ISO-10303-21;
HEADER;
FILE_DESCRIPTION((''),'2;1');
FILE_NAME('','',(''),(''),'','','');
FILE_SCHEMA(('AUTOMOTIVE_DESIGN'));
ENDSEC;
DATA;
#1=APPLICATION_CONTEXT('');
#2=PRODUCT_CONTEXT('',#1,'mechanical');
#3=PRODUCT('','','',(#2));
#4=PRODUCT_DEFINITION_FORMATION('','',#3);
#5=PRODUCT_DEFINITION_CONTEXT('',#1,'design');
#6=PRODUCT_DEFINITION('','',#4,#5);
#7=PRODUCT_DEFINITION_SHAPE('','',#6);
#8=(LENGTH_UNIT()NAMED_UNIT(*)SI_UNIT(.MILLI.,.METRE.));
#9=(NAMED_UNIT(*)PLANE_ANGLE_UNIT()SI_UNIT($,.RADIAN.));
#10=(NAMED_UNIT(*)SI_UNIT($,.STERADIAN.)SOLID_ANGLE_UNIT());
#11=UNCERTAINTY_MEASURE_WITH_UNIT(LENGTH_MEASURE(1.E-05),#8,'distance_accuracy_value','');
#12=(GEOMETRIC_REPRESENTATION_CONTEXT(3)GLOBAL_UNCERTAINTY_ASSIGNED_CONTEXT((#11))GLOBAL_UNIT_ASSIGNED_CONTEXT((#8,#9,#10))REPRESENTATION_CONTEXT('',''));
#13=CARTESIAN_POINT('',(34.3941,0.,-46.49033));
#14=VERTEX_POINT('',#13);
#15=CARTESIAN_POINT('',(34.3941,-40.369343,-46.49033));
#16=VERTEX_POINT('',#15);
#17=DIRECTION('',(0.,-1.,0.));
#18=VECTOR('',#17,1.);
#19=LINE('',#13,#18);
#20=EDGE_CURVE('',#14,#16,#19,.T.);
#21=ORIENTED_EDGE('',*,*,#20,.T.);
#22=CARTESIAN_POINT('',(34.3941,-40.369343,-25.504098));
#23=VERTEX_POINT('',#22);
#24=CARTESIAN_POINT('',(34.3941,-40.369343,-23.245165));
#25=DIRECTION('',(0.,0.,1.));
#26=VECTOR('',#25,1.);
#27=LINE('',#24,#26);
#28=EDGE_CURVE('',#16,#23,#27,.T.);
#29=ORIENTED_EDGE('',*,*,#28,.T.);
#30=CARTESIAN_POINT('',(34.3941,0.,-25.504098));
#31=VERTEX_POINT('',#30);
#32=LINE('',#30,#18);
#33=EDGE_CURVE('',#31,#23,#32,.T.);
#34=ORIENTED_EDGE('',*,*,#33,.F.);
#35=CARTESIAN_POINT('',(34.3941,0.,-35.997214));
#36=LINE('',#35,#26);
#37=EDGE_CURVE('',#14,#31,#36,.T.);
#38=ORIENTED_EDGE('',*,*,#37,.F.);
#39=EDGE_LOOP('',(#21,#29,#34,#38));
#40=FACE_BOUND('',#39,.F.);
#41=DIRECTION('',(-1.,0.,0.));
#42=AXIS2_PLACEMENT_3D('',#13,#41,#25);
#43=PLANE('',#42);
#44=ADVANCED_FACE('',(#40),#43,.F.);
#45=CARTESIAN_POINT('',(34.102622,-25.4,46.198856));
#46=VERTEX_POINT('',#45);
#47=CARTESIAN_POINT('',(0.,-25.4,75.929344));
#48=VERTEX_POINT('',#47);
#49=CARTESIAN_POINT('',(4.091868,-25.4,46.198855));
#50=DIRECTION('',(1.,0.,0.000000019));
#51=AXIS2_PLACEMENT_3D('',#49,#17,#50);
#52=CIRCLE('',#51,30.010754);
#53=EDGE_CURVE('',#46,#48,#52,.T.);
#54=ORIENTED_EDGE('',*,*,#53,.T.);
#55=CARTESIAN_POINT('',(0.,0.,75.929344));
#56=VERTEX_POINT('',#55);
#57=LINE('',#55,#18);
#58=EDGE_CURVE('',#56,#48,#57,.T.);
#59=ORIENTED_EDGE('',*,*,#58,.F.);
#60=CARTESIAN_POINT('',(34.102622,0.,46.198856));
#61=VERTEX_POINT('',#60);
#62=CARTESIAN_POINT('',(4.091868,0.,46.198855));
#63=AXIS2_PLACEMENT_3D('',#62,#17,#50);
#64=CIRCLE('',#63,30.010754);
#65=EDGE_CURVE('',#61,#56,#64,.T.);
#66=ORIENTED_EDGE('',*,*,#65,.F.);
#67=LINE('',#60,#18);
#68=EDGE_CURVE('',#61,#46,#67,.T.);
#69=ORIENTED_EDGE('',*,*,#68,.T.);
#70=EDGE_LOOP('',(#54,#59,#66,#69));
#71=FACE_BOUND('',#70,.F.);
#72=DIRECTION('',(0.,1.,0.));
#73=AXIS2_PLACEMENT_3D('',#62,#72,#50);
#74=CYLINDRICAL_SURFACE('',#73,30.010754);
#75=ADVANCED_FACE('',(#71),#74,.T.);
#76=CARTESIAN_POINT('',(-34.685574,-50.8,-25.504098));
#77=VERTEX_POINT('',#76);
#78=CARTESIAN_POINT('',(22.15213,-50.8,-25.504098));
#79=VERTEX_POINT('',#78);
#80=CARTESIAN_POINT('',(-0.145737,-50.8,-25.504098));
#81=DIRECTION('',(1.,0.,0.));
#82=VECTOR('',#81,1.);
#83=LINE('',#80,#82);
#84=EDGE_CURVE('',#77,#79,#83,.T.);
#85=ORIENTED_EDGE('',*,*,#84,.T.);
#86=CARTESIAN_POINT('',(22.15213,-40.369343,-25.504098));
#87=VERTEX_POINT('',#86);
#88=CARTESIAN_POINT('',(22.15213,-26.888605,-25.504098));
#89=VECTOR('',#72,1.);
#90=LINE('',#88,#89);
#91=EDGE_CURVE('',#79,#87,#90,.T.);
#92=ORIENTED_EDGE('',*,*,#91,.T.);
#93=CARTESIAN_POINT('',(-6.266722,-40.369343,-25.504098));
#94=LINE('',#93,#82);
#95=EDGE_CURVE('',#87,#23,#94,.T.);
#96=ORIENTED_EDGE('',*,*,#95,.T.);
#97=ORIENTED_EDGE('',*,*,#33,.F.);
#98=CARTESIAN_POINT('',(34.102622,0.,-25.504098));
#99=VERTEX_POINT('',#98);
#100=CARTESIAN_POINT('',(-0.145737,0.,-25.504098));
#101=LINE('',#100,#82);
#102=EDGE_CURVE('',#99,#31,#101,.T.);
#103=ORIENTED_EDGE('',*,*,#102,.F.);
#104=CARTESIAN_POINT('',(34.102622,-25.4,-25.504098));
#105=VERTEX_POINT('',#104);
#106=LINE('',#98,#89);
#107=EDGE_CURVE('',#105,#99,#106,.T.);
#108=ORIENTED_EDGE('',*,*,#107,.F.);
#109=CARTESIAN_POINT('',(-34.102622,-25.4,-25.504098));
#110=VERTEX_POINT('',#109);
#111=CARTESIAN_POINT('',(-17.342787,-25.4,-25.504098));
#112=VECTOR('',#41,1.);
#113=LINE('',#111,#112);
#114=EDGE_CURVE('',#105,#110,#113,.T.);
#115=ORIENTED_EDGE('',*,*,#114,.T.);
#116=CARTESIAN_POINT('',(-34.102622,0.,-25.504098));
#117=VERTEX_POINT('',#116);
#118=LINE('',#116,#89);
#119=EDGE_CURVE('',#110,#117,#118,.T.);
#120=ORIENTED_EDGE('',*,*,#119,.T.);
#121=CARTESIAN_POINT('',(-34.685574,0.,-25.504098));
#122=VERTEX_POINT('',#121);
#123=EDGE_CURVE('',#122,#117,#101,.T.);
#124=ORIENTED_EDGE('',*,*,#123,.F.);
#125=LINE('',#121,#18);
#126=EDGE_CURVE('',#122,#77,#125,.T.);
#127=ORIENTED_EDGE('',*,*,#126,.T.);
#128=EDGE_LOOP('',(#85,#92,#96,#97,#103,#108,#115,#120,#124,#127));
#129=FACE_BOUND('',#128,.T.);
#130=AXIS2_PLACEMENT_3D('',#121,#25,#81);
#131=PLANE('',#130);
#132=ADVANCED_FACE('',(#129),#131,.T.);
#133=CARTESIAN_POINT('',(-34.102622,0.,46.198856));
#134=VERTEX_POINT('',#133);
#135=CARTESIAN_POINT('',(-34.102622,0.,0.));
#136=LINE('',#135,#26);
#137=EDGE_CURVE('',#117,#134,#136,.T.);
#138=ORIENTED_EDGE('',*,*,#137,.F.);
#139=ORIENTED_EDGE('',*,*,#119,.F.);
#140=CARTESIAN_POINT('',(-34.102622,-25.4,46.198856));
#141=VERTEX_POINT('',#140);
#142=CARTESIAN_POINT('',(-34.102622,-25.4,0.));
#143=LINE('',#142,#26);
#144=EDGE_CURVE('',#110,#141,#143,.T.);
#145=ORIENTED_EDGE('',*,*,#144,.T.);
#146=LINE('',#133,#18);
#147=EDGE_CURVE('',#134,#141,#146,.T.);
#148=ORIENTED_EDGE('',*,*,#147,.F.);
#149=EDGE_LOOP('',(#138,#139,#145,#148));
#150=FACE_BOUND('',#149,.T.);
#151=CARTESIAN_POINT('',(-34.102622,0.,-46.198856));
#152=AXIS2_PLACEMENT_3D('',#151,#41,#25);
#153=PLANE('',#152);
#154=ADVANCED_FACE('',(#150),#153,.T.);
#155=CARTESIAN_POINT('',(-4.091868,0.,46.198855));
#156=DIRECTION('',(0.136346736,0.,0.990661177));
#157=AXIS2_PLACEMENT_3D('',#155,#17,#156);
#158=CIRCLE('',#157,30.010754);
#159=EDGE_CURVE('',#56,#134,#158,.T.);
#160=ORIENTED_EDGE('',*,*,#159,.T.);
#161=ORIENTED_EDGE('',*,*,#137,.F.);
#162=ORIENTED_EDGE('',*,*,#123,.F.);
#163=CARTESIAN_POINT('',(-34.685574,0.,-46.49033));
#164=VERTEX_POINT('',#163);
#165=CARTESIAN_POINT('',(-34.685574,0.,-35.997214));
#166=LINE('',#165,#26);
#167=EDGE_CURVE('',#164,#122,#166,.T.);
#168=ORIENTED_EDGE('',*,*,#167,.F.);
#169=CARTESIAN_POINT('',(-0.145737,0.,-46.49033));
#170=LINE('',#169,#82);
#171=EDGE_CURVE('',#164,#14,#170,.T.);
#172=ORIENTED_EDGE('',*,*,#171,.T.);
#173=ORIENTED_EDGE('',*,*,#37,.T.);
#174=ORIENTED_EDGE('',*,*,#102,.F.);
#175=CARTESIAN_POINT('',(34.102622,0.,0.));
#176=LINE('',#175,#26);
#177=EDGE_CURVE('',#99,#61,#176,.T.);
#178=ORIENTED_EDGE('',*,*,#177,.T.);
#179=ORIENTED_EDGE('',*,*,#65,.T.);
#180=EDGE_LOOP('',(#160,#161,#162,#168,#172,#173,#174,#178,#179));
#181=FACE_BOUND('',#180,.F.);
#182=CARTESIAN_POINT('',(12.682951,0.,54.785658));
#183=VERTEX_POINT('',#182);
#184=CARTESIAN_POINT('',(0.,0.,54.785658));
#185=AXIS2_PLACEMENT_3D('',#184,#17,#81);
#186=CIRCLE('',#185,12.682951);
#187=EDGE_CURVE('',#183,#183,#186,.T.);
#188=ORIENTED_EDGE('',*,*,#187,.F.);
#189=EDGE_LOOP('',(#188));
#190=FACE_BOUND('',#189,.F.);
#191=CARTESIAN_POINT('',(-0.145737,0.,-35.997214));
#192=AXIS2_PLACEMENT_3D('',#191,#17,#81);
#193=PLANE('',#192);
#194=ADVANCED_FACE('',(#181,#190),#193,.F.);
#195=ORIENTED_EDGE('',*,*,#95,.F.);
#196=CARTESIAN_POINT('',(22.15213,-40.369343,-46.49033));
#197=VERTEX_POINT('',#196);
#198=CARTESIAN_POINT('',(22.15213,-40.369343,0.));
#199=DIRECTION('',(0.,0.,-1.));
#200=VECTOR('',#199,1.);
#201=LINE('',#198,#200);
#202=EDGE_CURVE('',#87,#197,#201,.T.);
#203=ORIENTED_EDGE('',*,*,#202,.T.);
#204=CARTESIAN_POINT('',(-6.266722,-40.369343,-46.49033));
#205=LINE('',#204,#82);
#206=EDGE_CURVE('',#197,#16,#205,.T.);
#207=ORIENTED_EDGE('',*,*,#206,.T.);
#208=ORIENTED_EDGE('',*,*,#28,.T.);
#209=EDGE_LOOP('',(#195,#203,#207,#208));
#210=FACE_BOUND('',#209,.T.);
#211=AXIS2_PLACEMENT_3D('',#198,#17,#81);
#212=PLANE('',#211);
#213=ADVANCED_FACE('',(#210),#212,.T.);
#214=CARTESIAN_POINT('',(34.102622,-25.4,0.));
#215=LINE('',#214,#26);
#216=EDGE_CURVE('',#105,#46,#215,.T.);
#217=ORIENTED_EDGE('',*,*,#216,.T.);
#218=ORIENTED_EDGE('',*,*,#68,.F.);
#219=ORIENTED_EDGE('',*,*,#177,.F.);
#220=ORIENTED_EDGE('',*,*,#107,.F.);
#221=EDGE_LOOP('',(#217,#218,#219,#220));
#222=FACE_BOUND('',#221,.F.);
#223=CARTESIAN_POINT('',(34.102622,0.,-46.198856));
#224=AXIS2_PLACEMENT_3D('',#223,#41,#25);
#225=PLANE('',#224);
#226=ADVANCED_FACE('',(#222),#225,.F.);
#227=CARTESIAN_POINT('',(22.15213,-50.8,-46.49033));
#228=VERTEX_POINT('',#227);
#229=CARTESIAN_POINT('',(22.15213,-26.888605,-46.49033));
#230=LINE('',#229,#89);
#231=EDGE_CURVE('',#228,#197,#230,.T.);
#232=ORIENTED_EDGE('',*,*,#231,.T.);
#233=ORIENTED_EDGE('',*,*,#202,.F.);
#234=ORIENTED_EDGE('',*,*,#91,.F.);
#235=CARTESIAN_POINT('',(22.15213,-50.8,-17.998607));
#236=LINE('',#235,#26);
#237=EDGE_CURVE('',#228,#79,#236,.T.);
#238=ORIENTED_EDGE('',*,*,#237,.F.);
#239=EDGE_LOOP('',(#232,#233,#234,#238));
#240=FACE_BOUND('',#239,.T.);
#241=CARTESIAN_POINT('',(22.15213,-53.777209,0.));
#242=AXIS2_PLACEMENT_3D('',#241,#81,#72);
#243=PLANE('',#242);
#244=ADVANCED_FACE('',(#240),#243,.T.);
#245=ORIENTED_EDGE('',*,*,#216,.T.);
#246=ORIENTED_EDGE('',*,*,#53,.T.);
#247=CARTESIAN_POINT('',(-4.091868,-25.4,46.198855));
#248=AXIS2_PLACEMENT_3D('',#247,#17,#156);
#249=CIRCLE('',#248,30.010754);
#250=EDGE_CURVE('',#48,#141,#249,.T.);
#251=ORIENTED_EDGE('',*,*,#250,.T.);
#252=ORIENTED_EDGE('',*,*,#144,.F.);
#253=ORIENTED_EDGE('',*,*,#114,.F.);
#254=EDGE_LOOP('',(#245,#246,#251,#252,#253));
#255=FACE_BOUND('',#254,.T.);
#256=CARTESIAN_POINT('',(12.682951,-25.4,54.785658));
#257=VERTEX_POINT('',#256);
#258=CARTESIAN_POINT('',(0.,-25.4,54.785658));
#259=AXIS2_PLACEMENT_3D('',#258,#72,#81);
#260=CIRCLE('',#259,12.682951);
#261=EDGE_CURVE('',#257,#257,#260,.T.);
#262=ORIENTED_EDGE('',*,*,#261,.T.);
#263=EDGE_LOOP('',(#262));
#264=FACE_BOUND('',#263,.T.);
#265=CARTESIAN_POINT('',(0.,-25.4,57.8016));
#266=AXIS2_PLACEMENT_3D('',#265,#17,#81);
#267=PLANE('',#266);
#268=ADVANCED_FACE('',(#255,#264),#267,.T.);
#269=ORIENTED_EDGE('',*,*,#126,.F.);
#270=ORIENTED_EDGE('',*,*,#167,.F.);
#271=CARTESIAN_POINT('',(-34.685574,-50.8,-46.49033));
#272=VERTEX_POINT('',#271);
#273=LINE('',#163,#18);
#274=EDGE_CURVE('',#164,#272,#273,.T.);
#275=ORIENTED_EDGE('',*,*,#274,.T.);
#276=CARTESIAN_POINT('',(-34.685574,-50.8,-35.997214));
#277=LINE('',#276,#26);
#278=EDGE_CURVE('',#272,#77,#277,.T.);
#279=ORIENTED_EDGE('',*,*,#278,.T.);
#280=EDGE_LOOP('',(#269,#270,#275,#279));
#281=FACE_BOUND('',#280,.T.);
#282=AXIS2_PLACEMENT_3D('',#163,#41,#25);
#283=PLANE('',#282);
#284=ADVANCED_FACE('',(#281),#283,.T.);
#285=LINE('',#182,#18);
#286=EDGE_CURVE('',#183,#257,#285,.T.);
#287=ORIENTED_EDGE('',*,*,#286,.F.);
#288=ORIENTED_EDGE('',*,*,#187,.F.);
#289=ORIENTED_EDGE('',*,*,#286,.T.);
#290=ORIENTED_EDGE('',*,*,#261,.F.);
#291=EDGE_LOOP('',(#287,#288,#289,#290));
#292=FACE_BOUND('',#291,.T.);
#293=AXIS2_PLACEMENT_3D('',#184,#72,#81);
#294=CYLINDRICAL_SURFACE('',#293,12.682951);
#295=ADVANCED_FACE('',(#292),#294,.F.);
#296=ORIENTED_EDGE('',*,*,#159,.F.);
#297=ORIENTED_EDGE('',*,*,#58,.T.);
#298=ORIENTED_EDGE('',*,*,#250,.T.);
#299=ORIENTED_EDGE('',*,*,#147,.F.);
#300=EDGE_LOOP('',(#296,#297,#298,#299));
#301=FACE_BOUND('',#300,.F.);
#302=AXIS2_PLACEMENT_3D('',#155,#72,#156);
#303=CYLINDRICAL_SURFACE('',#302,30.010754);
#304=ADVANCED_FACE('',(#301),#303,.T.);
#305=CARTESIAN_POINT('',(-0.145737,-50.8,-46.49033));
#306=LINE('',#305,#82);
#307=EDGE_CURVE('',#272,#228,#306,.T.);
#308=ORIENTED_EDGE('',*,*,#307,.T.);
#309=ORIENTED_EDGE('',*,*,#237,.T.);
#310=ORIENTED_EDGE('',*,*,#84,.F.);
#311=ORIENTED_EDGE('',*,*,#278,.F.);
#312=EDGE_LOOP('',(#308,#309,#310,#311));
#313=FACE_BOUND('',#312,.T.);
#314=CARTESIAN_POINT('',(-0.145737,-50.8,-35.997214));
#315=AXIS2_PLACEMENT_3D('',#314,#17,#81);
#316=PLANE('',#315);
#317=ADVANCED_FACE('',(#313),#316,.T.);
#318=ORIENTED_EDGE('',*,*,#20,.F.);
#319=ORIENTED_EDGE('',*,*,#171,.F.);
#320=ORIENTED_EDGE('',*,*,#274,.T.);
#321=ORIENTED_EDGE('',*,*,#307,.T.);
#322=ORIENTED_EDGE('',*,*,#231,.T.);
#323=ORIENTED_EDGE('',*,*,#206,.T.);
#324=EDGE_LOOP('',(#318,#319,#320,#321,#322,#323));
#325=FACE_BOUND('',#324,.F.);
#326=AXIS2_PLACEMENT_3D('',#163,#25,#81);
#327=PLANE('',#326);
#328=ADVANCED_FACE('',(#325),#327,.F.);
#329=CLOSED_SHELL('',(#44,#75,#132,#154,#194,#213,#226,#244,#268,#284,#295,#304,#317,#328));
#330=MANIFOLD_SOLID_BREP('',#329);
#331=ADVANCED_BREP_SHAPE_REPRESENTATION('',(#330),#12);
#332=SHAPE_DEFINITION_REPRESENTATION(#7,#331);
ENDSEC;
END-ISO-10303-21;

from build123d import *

# Parameters (mm, degrees)
F0_W     = 68.205244
F0_H     = 92.397712
F1_DEPTH = 25.4
F2_R     = 12.682951
F3_DEPTH = 25.401
F4_W     = 69.079674
F4_H     = 20.986233
F5_DEPTH = 50.8
F6_W     = 17.488527
F6_H     = 13.407867
F7_DEPTH = 46.49133


with BuildPart() as f1:
    # F0 (on Front) → F1 (new body)
    with BuildSketch(Plane.XZ):
        with BuildLine():
            ThreePointArc((0, 75.929344), (-23.81299, 68.820144), (-34.102622, 46.198856))
            Line((-34.102622, 46.198856), (34.102622, 46.198856))
            ThreePointArc((34.102622, 46.198856), (23.81299, 68.820144), (0, 75.929344))
        make_face()
        Rectangle(F0_W, F0_H)
    extrude(amount=F1_DEPTH)

    # F2 (on Front) → F3 (cut, through all)
    with BuildSketch(Plane.XZ):
        with Locations((0, 54.785658)):
            Circle(F2_R)
    extrude(amount=F3_DEPTH, mode=Mode.SUBTRACT)

    # F4 (on Front) → F5 (join)
    with BuildSketch(Plane.XZ):
        with Locations((-0.145737, -35.997214)):
            Rectangle(F4_W, F4_H)
    extrude(amount=F5_DEPTH)

    # F6 (on Top) → F7 (cut, through all)
    with BuildSketch(Plane.XY):
        with Locations((30.896394, -47.073276)):
            Rectangle(F6_W, F6_H)
    extrude(amount=-F7_DEPTH, mode=Mode.SUBTRACT)


solid = f1.part
